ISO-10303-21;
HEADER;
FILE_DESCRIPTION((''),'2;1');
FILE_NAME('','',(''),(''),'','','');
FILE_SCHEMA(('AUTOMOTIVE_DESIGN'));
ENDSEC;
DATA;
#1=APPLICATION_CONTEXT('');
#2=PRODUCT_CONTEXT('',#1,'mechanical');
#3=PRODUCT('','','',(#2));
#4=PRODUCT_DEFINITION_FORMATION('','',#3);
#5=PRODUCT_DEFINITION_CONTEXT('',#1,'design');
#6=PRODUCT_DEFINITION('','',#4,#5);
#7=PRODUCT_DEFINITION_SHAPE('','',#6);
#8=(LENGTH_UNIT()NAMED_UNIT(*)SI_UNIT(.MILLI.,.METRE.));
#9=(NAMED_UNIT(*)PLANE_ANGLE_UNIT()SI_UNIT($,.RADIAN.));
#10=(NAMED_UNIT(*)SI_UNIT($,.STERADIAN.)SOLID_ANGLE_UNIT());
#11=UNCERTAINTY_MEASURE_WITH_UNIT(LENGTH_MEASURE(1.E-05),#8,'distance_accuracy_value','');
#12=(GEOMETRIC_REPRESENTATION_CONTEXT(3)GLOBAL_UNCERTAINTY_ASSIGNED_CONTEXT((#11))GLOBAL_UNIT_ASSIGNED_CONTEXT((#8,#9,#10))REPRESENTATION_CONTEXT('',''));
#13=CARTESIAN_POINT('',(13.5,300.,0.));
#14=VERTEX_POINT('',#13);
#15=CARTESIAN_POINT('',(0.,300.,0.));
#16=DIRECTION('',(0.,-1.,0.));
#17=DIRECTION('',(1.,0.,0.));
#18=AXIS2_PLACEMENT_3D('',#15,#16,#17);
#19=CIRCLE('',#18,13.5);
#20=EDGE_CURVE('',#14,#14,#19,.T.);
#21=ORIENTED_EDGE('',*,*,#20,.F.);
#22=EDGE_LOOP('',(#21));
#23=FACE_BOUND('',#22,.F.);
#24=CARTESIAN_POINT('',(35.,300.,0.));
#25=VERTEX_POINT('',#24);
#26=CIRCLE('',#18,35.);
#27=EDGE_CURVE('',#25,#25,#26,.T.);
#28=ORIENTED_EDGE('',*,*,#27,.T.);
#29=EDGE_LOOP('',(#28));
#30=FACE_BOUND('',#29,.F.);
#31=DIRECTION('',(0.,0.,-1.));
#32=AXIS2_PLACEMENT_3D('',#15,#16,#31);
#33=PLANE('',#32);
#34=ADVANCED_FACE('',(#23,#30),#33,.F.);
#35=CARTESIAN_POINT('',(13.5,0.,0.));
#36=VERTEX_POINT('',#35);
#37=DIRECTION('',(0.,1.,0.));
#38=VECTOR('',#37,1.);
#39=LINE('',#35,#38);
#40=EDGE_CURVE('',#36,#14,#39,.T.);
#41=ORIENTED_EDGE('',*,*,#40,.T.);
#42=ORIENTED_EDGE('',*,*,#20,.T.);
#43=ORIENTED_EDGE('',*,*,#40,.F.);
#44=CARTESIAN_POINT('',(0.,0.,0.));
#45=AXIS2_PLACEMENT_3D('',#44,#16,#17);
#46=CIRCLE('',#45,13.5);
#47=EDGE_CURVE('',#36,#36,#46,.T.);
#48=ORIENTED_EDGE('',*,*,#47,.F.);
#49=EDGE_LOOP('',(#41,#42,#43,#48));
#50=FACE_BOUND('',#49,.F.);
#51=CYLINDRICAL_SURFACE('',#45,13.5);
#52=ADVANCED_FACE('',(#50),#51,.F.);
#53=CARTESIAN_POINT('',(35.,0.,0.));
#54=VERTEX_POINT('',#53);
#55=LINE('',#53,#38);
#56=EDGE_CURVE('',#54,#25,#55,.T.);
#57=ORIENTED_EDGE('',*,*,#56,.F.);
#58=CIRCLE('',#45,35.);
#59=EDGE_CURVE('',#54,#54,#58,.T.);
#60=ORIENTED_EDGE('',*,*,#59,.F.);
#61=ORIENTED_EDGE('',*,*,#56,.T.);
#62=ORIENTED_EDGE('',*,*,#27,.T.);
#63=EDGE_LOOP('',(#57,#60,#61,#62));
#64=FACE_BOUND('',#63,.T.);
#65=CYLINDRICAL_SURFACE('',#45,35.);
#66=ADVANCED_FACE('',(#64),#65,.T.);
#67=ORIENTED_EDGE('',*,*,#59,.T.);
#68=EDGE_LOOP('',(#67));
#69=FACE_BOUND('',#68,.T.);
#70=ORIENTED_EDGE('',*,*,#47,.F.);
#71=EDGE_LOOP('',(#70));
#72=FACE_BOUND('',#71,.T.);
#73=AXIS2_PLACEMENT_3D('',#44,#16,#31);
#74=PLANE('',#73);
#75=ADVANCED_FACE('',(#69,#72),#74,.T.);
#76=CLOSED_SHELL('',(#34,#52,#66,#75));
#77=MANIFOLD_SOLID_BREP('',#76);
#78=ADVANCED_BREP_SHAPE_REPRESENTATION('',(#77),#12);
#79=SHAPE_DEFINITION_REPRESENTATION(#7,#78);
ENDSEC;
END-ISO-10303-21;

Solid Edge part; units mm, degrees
sketch "Sketch1" plane through (0, 0, 0) normal (0, -1, 0) x (1, 0, 0)
  circle A0 centre (0, 0) radius 13.5
  circle A1 centre (0, 0) radius 35
extrude "Protrusion1" add sketch "Sketch1" against normal blind 300
